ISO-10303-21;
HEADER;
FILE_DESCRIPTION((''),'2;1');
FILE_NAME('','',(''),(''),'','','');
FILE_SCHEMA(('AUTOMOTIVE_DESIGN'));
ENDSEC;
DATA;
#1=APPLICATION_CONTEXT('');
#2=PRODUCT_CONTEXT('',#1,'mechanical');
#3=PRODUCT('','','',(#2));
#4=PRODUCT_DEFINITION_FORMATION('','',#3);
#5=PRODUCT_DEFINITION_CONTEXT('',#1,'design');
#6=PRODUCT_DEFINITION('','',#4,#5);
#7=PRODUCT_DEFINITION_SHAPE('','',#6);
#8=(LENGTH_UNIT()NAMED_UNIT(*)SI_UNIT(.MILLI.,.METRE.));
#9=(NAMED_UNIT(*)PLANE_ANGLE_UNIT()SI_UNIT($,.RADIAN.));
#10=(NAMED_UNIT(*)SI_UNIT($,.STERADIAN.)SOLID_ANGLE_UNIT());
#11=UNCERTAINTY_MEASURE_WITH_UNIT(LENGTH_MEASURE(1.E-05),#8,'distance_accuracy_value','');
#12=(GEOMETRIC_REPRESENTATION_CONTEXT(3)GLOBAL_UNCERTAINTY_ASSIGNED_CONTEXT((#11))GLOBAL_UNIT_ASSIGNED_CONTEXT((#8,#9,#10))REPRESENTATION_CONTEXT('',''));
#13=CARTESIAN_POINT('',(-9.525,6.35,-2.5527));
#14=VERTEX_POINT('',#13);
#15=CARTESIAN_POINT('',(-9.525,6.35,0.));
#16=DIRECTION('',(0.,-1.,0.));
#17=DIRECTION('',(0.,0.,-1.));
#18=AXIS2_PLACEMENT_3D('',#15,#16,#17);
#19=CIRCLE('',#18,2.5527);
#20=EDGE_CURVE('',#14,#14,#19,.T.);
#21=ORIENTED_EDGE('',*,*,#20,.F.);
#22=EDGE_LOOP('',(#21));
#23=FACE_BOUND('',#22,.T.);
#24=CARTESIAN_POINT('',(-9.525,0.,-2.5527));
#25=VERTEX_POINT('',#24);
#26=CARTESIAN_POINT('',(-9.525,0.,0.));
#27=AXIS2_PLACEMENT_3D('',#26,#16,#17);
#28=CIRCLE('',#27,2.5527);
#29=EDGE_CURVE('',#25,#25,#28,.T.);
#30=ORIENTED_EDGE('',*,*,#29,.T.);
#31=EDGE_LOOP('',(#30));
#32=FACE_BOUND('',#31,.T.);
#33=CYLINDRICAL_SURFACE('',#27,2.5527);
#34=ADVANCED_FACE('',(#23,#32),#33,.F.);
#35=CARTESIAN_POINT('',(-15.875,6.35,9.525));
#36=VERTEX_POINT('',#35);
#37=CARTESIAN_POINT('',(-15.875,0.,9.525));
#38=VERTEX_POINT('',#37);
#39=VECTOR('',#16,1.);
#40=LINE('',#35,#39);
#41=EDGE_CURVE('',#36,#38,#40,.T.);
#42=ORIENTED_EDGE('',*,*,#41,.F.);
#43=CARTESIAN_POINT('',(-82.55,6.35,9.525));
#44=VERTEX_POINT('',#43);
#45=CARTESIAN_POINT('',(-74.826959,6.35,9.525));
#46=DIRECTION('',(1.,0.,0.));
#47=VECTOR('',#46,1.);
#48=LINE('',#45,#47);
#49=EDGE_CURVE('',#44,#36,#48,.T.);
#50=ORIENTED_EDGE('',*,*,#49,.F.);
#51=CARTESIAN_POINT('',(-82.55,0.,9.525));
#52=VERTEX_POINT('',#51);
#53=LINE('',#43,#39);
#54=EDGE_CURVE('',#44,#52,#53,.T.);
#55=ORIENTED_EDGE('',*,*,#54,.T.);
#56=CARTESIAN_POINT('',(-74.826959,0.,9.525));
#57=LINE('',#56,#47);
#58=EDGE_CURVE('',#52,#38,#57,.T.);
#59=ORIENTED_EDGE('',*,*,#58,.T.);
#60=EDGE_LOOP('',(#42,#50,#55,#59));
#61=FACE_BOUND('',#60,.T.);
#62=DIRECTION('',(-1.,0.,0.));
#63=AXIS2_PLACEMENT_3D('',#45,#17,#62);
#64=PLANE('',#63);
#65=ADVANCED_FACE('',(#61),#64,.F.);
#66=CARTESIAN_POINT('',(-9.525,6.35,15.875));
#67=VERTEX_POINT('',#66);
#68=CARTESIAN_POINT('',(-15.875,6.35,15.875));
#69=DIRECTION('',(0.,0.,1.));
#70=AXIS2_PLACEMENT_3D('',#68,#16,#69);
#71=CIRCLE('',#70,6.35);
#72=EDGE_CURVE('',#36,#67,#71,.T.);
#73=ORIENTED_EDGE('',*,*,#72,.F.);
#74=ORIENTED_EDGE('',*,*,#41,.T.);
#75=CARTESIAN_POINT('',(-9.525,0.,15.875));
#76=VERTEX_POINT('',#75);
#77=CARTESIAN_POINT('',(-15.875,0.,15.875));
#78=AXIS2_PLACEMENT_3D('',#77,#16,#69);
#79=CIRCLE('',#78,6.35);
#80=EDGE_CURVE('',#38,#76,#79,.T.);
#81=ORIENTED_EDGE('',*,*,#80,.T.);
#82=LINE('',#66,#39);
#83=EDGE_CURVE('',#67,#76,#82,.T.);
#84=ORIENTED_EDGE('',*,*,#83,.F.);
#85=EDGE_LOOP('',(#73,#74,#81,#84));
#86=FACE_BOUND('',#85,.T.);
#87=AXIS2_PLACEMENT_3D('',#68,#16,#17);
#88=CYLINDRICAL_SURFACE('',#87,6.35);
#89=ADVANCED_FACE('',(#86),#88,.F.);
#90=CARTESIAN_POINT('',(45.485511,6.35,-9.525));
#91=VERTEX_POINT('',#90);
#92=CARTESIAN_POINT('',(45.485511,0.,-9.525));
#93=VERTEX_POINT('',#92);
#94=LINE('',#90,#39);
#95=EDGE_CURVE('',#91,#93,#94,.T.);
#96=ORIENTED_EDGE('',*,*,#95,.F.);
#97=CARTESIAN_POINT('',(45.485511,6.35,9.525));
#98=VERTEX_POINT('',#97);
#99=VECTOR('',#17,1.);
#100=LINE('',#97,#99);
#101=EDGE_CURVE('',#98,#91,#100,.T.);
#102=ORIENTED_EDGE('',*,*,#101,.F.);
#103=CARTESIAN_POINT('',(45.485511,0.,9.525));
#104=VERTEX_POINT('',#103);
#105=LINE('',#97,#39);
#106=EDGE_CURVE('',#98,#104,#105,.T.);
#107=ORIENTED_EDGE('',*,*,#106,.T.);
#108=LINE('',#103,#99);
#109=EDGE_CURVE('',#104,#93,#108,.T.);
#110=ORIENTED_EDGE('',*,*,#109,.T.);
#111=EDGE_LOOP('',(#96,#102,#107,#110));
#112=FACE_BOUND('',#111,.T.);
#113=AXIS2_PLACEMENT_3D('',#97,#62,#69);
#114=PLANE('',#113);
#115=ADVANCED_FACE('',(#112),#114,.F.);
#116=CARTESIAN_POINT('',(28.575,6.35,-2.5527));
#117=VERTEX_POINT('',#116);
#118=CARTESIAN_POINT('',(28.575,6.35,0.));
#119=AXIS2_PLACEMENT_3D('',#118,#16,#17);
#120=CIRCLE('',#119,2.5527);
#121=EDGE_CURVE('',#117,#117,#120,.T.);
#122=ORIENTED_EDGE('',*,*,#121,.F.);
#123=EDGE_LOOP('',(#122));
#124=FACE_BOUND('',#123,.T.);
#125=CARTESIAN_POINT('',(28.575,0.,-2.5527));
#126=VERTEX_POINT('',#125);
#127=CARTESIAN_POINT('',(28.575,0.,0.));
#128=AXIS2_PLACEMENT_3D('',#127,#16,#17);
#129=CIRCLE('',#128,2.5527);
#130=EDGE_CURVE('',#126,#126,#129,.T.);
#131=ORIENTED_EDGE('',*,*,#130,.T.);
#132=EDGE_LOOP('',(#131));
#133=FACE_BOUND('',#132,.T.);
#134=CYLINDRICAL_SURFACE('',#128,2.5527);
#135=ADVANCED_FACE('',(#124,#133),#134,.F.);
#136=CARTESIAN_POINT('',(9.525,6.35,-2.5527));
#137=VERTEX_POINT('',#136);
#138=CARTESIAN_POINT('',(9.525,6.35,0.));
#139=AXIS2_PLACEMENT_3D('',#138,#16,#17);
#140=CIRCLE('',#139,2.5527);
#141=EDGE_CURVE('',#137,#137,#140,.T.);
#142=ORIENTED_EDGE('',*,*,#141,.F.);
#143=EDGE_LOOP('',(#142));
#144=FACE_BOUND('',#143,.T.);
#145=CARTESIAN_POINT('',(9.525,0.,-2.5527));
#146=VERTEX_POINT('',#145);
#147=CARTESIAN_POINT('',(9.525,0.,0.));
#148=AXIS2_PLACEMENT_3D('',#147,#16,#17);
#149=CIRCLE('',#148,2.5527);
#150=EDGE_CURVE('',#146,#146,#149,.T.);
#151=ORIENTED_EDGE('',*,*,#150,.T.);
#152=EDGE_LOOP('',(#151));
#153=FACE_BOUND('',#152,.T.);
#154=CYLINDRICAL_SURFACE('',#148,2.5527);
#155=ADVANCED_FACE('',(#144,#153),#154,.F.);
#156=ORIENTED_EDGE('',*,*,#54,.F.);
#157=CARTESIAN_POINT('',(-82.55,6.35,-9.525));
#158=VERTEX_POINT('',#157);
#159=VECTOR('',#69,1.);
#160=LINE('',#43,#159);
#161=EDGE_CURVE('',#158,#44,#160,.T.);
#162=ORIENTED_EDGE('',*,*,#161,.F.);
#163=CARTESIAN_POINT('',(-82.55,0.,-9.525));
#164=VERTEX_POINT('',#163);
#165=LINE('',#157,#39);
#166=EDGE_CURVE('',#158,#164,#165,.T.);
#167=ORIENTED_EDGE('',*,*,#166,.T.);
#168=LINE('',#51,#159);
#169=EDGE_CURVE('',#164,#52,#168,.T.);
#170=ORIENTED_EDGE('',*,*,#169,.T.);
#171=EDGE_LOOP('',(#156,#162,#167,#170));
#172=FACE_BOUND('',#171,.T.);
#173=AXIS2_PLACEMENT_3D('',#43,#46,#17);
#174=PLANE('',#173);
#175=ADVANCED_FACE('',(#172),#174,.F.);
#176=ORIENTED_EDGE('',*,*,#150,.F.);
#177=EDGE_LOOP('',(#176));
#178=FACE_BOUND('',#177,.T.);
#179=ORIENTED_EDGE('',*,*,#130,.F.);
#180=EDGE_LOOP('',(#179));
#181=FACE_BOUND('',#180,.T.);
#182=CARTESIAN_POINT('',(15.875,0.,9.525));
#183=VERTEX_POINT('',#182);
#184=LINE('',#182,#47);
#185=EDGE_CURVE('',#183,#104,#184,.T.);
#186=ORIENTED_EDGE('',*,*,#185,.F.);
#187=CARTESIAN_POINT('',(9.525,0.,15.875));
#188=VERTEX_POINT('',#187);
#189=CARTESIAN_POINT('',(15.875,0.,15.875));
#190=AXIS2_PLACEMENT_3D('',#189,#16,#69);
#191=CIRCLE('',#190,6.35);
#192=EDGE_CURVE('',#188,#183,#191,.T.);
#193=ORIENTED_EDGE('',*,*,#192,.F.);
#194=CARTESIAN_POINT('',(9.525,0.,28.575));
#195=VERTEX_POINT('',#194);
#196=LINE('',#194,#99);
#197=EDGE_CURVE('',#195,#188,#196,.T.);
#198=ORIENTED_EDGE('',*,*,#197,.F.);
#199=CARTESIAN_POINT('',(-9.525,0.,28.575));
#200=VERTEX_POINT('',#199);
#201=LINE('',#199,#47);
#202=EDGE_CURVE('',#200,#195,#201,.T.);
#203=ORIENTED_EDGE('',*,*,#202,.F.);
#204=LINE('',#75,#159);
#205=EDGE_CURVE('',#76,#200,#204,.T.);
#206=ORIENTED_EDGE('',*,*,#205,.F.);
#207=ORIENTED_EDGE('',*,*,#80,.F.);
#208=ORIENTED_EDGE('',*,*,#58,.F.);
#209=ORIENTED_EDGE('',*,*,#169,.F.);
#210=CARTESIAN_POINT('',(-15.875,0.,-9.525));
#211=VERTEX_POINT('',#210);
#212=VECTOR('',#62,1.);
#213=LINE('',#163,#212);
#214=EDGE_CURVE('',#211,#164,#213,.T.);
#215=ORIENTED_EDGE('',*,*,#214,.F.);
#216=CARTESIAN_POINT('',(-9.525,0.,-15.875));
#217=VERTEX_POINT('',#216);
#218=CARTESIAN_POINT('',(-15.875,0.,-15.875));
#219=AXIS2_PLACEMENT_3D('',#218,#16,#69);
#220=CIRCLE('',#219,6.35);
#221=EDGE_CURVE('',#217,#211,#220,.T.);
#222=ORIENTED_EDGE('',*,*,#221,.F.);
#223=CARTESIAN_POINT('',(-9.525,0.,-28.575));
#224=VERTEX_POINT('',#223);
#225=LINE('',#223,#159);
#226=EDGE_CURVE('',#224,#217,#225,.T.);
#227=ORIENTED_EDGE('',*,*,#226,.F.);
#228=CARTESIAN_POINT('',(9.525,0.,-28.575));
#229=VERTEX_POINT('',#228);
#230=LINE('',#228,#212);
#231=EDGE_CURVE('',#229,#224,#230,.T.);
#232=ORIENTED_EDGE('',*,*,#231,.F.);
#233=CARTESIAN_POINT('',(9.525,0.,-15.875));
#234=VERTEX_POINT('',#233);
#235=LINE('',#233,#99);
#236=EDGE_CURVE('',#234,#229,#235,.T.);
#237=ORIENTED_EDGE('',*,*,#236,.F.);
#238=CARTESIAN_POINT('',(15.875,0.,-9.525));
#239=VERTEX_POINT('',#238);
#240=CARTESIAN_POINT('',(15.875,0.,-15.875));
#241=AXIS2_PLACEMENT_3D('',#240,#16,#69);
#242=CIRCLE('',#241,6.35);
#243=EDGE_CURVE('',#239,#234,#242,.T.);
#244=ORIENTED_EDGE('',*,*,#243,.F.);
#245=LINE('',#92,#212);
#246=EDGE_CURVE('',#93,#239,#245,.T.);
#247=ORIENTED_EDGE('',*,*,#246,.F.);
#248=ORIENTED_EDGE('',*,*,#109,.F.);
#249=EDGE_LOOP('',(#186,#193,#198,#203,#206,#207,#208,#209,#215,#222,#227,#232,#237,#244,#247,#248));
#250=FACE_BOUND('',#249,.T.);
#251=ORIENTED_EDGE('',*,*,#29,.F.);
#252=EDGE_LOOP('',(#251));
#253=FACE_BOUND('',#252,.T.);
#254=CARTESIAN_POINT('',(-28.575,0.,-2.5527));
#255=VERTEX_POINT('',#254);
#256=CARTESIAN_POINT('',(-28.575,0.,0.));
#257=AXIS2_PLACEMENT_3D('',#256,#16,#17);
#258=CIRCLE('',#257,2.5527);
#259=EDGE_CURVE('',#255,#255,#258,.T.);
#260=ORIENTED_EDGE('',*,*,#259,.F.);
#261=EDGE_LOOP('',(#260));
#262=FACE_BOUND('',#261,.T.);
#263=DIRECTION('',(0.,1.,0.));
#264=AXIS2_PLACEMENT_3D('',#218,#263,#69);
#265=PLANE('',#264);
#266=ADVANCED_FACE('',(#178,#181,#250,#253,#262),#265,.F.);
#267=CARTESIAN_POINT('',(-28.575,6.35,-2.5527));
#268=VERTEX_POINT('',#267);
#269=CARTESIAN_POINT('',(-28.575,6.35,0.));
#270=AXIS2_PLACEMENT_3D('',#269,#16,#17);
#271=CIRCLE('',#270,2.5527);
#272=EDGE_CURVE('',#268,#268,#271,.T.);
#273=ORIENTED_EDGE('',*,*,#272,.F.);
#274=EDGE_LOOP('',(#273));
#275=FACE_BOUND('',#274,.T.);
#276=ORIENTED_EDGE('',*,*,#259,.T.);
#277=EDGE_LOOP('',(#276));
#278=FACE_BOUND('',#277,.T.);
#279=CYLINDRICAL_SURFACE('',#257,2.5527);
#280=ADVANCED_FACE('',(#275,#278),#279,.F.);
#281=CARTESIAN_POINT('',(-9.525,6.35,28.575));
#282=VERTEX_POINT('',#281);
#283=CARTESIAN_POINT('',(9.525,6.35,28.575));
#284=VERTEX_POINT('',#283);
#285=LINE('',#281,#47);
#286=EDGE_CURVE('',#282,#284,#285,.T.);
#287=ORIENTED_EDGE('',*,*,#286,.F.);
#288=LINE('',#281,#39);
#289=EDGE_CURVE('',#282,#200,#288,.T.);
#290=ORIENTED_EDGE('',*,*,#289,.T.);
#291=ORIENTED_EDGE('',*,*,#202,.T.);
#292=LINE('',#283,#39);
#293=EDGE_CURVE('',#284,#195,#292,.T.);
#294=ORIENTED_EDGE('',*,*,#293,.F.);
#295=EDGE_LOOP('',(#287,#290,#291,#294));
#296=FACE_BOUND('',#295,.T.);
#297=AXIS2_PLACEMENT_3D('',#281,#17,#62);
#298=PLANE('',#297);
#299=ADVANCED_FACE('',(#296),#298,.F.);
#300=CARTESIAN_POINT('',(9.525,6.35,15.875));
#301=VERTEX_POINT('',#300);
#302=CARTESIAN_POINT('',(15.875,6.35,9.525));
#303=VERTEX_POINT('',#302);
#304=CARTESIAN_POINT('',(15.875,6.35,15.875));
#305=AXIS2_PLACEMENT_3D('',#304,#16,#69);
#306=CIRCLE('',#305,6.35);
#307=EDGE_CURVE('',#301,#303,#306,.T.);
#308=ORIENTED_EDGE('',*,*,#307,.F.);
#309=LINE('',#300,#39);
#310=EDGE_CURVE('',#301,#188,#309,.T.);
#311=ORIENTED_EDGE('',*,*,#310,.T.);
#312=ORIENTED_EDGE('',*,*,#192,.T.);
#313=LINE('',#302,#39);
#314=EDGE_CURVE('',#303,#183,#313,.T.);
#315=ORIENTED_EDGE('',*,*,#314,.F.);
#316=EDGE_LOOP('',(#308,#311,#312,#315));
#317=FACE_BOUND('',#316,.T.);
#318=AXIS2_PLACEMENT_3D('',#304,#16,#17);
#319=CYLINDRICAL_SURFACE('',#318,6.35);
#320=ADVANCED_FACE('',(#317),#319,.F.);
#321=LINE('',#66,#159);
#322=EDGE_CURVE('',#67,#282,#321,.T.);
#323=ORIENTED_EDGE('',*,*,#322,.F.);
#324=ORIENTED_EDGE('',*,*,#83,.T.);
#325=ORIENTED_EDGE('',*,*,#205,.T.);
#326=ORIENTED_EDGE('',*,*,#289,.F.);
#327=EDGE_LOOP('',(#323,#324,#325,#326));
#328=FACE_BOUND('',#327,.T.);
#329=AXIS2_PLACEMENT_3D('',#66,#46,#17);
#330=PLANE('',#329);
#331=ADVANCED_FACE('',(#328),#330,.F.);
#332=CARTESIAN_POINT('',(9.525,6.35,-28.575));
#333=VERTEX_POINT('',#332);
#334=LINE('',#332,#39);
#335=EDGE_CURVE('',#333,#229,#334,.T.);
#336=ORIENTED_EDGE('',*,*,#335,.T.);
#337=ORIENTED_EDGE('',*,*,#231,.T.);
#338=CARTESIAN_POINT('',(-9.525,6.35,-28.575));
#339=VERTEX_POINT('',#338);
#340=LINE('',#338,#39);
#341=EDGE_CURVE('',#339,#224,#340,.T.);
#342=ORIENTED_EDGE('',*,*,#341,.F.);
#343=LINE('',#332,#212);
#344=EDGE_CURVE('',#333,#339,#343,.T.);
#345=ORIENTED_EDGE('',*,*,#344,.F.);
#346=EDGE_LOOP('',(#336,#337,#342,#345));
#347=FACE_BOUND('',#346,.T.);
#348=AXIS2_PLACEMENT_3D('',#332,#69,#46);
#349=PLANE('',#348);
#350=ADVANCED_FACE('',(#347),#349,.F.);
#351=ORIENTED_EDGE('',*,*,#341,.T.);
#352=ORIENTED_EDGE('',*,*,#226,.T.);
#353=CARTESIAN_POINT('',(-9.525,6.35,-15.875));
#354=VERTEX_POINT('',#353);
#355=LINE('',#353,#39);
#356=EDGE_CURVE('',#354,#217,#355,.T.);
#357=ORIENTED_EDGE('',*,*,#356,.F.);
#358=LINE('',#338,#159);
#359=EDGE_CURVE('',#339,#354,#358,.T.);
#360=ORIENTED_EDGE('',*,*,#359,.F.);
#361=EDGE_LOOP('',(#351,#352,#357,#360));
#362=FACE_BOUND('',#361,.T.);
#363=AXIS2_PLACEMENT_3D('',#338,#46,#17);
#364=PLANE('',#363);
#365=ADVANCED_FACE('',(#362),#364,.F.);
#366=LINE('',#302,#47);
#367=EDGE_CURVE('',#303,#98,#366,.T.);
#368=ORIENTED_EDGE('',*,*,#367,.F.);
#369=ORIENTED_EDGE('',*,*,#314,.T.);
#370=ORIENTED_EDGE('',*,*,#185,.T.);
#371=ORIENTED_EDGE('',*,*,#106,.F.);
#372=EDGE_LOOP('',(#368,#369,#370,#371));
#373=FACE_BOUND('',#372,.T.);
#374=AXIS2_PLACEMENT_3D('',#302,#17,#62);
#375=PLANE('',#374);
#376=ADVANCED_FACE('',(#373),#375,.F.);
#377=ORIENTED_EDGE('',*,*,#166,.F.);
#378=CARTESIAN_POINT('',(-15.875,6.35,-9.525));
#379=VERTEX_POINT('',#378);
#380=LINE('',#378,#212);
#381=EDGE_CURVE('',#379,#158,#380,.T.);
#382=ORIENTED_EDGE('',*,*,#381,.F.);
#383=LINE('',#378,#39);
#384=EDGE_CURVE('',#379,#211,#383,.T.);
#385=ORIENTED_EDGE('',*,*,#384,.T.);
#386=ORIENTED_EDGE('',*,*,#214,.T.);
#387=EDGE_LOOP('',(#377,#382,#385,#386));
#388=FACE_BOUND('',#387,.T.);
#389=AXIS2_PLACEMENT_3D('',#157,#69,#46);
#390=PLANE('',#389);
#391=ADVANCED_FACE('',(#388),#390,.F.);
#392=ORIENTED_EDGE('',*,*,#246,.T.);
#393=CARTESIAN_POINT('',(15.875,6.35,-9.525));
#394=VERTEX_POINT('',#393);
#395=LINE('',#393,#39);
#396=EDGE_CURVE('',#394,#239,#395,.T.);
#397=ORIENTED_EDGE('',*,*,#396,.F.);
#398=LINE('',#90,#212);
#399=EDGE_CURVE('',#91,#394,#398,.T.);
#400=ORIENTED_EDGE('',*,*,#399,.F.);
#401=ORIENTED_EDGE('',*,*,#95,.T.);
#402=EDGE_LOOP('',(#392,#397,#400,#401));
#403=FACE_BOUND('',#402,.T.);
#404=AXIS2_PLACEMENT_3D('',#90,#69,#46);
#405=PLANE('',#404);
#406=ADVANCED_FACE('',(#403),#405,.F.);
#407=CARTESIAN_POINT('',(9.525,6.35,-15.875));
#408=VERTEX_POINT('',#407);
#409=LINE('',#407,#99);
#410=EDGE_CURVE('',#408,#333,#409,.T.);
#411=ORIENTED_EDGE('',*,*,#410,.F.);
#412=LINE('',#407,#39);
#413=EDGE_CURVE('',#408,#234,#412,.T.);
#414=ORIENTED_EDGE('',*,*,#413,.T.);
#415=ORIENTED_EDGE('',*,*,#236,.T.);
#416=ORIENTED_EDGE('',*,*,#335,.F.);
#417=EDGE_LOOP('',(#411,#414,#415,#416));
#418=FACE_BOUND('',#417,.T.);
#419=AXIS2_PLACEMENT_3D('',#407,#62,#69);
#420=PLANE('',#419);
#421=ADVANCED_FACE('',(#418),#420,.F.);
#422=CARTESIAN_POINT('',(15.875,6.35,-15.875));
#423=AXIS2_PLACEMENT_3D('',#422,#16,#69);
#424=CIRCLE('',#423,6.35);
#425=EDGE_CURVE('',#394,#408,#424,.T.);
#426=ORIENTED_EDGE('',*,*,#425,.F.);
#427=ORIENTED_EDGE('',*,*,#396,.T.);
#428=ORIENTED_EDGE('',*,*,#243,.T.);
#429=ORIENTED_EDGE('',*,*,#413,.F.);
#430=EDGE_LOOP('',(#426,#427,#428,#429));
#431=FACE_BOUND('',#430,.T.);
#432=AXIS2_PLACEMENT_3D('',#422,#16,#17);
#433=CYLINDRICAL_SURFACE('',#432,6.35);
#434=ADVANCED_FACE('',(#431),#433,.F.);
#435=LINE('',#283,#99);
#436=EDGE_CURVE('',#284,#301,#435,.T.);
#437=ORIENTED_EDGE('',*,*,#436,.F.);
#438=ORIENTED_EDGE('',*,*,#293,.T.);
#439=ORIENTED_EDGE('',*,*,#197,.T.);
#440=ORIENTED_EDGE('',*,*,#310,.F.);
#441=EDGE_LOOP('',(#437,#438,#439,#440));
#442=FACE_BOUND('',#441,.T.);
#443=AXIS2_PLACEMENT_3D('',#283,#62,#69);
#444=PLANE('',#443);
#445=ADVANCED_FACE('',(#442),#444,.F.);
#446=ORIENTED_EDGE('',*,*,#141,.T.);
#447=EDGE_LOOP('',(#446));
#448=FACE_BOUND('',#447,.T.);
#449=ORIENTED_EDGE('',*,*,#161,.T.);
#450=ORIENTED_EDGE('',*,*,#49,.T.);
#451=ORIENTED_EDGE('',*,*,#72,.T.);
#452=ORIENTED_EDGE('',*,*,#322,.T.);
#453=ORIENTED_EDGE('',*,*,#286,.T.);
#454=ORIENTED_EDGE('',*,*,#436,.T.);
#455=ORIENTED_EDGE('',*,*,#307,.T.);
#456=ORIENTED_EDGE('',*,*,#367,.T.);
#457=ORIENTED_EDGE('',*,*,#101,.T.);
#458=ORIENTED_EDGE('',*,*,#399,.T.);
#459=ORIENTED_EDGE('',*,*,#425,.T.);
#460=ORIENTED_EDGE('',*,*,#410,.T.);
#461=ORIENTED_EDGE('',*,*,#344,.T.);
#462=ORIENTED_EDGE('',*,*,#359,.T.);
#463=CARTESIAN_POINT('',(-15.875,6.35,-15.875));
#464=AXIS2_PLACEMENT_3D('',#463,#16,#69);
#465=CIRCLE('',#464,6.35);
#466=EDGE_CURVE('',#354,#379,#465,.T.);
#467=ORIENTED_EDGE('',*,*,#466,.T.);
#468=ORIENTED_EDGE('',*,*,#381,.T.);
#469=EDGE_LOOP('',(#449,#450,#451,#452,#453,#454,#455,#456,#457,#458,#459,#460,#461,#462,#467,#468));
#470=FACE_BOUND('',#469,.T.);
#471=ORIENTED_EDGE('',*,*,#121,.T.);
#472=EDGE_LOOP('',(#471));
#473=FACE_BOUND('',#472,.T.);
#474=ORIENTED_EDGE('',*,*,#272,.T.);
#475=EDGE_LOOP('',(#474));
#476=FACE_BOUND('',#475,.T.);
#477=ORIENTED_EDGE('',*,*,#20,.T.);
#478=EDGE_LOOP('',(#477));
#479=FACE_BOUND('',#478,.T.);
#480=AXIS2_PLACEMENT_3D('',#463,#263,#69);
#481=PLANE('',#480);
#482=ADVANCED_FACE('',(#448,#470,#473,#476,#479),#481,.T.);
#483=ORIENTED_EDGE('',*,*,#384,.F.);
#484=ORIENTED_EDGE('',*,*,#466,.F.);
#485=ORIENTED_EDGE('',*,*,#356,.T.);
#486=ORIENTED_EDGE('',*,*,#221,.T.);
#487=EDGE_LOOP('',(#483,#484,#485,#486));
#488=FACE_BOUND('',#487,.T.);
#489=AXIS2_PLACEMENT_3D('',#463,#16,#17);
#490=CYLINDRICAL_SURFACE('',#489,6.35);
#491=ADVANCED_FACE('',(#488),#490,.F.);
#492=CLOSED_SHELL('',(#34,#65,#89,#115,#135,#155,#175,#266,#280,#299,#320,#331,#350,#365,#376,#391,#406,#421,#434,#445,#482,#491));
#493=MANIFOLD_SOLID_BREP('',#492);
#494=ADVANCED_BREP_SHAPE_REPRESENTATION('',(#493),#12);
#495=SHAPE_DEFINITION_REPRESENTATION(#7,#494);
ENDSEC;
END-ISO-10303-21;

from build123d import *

# Parameters (mm, degrees)
BOSS_EXTRUDE1_DEPTH     = 6.35
F_1_4_20_TAPPED_HOLE1_D = 5.1054
LPATTERN1_COUNT         = 4
LPATTERN1_PITCH         = 19.05


with BuildPart() as part:
    # Sketch1 → Boss-Extrude1 (new body)
    with BuildSketch(Plane(origin=(0, 0, 0), x_dir=(1, 0, 0), z_dir=(0, 1, 0))):
        with BuildLine():
            Line((-74.82695853, -9.525), (-15.875, -9.525))
            ThreePointArc((-15.875, -9.525), (-11.384871939, -11.384871939), (-9.525, -15.875))
            Line((-9.525, -15.875), (-9.525, -28.575))
            Line((-9.525, -28.575), (9.525, -28.575))
            Line((9.525, -28.575), (9.525, -15.875))
            ThreePointArc((9.525, -15.875), (11.384871939, -11.384871939), (15.875, -9.525))
            Line((15.875, -9.525), (45.485511374, -9.525))
            Line((45.485511374, -9.525), (45.485511374, 9.525))
            Line((45.485511374, 9.525), (15.875, 9.525))
            ThreePointArc((15.875, 9.525), (11.384871939, 11.384871939), (9.525, 15.875))
            Line((9.525, 15.875), (9.525, 28.575))
            Line((9.525, 28.575), (-9.525, 28.575))
            Line((-9.525, 28.575), (-9.525, 15.875))
            ThreePointArc((-9.525, 15.875), (-11.384871939, 11.384871939), (-15.875, 9.525))
            Line((-15.875, 9.525), (-75.059577466, 9.525))
            Line((-75.059577466, 9.525), (-82.55, 9.525))
            Line((-82.55, 9.525), (-82.55, -9.525))
            Line((-82.55, -9.525), (-74.82695853, -9.525))
        make_face()
    extrude(amount=BOSS_EXTRUDE1_DEPTH)

    # 1/4-20 Tapped Hole1 (through all)
    with Locations(Plane(origin=(0, 0, 0), x_dir=(-1, 0, 0), z_dir=(0, -1, 0))):
        with Locations((28.575, 0)):
            f_1_4_20_tapped_hole1 = Hole(F_1_4_20_TAPPED_HOLE1_D / 2)

    # LPattern1: 1/4-20 Tapped Hole1 ×4
    with Locations(*[(i * LPATTERN1_PITCH, 0, 0) for i in range(1, LPATTERN1_COUNT)]):
        add(f_1_4_20_tapped_hole1, mode=Mode.SUBTRACT)


solid = part.part
